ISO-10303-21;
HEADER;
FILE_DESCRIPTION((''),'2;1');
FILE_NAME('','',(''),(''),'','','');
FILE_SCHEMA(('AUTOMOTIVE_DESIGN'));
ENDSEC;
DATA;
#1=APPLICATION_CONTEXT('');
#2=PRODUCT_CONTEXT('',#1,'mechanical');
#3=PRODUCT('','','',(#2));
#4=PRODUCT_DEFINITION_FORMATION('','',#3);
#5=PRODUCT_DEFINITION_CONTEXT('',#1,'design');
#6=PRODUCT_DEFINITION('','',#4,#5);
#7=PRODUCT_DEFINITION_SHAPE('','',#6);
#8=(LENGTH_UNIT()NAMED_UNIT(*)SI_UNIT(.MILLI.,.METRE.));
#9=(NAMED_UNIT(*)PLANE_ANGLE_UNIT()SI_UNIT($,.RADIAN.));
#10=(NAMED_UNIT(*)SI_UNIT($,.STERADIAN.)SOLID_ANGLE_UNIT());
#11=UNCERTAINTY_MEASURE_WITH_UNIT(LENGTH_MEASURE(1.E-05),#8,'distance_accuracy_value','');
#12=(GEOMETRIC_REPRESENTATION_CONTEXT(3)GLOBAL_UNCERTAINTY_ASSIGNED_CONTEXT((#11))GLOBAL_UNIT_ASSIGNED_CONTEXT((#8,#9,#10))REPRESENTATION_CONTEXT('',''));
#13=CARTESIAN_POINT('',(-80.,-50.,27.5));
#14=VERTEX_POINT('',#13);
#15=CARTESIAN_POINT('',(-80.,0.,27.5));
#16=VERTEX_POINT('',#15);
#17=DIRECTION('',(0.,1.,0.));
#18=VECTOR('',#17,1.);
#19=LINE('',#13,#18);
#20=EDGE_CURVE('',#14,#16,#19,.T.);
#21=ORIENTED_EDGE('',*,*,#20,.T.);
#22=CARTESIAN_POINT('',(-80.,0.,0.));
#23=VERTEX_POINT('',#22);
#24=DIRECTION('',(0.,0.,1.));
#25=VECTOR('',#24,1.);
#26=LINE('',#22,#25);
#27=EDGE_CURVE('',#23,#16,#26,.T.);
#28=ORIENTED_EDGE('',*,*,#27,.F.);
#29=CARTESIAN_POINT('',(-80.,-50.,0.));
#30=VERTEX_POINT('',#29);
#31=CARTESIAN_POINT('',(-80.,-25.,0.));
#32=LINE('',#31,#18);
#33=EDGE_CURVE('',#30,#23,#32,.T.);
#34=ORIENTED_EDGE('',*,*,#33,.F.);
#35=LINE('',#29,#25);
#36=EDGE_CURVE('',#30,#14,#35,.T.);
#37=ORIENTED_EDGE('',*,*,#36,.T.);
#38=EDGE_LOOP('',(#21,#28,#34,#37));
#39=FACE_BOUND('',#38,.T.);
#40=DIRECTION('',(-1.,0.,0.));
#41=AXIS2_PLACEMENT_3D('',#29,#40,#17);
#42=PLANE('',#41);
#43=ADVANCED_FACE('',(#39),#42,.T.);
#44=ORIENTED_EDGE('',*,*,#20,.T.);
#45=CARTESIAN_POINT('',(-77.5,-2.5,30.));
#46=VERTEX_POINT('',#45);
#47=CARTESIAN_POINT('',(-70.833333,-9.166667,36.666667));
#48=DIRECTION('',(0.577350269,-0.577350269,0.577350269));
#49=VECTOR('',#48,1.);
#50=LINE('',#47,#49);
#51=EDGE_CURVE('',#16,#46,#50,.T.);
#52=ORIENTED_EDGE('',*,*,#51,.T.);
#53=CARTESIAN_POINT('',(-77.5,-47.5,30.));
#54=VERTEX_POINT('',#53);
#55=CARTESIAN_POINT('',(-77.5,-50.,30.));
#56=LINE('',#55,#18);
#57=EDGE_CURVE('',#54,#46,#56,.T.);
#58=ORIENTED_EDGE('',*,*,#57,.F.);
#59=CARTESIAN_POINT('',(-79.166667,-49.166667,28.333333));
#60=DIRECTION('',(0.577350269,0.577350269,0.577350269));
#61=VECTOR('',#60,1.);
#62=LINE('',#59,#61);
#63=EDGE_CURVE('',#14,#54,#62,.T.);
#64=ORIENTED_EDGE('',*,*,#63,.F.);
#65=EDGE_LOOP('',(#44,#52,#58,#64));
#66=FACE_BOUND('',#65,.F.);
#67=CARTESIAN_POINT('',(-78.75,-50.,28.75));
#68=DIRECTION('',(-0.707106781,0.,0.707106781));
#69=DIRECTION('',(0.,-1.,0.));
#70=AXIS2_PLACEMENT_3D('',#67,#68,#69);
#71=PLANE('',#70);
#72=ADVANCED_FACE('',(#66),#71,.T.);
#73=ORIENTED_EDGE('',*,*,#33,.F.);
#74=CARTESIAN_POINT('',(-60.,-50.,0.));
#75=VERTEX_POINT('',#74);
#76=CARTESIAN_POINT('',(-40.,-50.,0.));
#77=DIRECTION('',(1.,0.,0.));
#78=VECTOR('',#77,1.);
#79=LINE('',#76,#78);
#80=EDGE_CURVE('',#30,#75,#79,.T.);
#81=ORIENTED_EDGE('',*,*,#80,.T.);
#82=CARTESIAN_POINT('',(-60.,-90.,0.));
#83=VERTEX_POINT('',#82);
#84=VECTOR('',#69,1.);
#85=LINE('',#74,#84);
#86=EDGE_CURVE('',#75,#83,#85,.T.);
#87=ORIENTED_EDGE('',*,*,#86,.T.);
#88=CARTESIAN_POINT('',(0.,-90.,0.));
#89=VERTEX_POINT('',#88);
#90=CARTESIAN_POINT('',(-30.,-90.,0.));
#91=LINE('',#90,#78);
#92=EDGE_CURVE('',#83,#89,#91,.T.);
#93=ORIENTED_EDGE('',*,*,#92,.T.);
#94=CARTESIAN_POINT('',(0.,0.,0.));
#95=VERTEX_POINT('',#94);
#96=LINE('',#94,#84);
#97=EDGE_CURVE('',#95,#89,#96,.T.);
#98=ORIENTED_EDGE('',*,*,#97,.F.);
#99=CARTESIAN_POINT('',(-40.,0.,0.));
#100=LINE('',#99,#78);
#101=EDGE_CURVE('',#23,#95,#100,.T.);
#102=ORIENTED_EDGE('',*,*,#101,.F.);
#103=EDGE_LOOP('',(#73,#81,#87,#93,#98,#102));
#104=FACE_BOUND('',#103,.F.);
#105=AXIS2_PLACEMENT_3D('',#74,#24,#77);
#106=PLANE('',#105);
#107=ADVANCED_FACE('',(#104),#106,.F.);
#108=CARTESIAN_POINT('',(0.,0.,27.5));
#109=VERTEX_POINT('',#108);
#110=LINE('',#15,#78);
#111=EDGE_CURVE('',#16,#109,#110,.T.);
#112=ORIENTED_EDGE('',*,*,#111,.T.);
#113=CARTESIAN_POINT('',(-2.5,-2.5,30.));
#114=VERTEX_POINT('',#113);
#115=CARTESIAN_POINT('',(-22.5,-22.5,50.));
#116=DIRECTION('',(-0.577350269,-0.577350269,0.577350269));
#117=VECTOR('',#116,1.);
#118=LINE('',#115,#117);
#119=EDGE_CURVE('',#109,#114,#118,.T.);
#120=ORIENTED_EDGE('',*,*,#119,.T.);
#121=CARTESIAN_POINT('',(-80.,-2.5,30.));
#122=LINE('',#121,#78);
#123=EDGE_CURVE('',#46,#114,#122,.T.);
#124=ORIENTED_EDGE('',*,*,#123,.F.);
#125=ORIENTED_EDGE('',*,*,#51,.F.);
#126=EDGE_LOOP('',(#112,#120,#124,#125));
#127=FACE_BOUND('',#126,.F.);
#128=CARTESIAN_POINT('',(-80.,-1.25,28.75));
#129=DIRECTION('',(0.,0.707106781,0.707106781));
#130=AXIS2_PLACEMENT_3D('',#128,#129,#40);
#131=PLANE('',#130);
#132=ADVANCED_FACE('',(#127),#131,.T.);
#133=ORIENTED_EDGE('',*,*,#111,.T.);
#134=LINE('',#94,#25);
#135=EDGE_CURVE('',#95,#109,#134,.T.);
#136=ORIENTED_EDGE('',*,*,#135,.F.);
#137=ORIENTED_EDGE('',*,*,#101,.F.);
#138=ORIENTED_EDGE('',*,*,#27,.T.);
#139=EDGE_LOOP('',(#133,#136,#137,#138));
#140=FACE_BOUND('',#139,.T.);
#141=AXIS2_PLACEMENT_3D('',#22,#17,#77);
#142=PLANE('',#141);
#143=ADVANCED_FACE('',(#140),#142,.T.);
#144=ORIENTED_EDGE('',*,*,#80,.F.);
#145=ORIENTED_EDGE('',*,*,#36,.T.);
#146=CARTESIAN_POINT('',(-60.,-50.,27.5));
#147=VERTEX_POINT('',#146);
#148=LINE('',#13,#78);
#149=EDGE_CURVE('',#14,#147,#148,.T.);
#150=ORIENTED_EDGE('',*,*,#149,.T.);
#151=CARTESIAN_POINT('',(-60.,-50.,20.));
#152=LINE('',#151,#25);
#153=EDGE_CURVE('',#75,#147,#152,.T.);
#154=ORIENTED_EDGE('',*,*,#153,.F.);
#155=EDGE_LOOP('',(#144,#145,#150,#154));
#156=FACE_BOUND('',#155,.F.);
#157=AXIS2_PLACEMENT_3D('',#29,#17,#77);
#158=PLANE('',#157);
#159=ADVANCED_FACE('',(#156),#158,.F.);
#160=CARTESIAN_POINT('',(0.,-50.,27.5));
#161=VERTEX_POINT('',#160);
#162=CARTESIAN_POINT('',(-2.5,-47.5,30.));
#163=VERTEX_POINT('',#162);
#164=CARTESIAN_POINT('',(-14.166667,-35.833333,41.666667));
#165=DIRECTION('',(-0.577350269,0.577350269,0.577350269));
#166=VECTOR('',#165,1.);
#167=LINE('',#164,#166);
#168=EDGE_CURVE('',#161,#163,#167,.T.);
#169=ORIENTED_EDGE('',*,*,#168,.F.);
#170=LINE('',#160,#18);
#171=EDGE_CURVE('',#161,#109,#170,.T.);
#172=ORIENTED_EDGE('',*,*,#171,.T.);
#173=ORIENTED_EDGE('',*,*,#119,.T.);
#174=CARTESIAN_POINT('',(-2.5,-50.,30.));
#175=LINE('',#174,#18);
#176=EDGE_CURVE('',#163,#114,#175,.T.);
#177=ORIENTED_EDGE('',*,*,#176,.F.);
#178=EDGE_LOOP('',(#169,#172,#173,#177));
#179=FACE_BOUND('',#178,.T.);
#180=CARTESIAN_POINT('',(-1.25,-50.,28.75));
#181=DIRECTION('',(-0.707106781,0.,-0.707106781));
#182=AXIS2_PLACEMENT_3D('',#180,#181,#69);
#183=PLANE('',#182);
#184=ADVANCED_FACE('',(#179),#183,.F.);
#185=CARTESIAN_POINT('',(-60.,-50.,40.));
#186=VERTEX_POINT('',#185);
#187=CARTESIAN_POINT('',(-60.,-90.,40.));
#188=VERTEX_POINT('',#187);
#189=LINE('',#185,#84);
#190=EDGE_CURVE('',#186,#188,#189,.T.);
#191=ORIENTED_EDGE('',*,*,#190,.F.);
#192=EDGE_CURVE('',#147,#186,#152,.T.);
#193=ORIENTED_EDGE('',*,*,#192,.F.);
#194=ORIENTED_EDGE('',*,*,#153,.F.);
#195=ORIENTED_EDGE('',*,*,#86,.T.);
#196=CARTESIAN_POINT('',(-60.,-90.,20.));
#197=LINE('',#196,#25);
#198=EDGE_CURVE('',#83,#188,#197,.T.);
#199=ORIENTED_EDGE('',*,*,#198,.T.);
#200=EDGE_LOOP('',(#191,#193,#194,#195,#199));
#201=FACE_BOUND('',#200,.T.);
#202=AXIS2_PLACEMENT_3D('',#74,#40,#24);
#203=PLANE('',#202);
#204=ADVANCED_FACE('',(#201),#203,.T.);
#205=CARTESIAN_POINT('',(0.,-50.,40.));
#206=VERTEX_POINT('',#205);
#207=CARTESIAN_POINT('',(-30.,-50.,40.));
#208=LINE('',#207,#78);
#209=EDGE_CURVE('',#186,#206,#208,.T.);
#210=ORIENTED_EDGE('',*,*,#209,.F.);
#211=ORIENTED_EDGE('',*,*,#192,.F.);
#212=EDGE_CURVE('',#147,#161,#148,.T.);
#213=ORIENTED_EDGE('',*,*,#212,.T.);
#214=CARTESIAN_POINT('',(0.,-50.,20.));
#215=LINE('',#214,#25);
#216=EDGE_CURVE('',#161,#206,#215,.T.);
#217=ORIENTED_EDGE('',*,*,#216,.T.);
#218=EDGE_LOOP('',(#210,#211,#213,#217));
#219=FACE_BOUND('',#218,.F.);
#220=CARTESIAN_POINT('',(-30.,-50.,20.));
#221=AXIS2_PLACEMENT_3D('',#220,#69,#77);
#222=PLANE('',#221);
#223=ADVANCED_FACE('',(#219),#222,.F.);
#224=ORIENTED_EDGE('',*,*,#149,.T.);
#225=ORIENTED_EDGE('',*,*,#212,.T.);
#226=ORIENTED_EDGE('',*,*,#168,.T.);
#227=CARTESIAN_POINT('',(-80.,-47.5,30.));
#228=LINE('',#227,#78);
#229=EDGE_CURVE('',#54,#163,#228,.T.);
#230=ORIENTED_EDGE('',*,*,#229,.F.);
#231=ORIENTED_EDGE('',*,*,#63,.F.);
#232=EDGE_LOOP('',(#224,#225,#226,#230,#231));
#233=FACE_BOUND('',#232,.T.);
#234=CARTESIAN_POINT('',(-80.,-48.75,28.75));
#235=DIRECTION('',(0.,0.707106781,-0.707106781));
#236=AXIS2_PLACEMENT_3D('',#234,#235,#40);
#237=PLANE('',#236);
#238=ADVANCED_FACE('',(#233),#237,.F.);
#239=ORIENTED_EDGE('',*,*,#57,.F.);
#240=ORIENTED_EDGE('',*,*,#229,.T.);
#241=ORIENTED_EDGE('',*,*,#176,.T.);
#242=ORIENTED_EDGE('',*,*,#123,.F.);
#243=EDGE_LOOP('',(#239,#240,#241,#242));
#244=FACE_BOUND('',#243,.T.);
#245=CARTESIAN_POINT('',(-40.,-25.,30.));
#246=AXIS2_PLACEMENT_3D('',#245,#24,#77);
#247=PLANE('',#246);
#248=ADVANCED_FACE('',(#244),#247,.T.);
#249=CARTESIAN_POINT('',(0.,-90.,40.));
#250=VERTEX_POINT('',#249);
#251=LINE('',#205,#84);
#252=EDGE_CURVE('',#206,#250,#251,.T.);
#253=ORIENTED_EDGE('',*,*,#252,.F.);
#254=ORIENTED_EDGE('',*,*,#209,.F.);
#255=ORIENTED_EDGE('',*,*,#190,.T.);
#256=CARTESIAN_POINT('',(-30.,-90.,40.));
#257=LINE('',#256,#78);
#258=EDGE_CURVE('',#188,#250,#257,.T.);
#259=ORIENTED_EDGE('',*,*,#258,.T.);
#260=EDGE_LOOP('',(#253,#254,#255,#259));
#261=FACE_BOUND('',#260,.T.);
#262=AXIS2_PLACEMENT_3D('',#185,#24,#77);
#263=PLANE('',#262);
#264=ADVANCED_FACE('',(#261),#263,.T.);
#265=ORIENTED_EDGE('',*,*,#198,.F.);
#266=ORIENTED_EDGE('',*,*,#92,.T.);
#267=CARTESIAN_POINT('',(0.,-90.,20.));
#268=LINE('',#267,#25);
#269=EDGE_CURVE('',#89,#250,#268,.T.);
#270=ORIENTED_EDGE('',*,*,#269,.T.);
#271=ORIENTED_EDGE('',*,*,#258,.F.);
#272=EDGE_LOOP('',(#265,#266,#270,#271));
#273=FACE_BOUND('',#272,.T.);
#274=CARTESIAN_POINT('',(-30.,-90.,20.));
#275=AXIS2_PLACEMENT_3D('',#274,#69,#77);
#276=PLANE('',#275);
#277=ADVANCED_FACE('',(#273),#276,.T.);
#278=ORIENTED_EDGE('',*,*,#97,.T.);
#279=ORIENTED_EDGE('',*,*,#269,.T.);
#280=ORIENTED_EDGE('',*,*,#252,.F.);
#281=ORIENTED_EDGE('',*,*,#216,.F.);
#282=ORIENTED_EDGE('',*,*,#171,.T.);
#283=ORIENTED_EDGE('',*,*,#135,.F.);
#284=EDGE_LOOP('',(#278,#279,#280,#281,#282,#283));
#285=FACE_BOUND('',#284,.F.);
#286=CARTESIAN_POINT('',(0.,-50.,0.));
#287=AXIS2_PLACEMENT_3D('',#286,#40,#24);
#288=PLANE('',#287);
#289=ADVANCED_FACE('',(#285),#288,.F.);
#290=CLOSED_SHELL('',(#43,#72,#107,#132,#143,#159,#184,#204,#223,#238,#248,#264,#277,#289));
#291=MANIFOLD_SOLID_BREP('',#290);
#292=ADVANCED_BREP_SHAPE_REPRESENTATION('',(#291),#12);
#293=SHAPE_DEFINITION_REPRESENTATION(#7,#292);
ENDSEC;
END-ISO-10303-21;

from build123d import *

# Parameters (mm, degrees)
F0_W     = 80
F0_H     = 50
F1_DEPTH = 30
F2_SIZE  = 2.5
F3_W     = 60
F3_H     = 40
F4_DEPTH = 40


with BuildPart() as f1:
    # F0 (on Top) → F1 (new body)
    with BuildSketch(Plane.XY):
        with Locations((-40, -25)):
            Rectangle(F0_W, F0_H)
    extrude(amount=F1_DEPTH)

    # F2
    f2_edges = [f1.edges().sort_by_distance(p)[0] for p in [
        (0, -25, 30),
        (-40, 0, 30),
        (-80, -25, 30),
        (-40, -50, 30),
    ]]
    chamfer(f2_edges, length=F2_SIZE)

    # F3 (on face) → F4 (join)
    with BuildSketch(Plane.XZ.offset(50)):
        with Locations((-30, 20)):
            Rectangle(F3_W, F3_H)
    extrude(amount=F4_DEPTH)


solid = f1.part
